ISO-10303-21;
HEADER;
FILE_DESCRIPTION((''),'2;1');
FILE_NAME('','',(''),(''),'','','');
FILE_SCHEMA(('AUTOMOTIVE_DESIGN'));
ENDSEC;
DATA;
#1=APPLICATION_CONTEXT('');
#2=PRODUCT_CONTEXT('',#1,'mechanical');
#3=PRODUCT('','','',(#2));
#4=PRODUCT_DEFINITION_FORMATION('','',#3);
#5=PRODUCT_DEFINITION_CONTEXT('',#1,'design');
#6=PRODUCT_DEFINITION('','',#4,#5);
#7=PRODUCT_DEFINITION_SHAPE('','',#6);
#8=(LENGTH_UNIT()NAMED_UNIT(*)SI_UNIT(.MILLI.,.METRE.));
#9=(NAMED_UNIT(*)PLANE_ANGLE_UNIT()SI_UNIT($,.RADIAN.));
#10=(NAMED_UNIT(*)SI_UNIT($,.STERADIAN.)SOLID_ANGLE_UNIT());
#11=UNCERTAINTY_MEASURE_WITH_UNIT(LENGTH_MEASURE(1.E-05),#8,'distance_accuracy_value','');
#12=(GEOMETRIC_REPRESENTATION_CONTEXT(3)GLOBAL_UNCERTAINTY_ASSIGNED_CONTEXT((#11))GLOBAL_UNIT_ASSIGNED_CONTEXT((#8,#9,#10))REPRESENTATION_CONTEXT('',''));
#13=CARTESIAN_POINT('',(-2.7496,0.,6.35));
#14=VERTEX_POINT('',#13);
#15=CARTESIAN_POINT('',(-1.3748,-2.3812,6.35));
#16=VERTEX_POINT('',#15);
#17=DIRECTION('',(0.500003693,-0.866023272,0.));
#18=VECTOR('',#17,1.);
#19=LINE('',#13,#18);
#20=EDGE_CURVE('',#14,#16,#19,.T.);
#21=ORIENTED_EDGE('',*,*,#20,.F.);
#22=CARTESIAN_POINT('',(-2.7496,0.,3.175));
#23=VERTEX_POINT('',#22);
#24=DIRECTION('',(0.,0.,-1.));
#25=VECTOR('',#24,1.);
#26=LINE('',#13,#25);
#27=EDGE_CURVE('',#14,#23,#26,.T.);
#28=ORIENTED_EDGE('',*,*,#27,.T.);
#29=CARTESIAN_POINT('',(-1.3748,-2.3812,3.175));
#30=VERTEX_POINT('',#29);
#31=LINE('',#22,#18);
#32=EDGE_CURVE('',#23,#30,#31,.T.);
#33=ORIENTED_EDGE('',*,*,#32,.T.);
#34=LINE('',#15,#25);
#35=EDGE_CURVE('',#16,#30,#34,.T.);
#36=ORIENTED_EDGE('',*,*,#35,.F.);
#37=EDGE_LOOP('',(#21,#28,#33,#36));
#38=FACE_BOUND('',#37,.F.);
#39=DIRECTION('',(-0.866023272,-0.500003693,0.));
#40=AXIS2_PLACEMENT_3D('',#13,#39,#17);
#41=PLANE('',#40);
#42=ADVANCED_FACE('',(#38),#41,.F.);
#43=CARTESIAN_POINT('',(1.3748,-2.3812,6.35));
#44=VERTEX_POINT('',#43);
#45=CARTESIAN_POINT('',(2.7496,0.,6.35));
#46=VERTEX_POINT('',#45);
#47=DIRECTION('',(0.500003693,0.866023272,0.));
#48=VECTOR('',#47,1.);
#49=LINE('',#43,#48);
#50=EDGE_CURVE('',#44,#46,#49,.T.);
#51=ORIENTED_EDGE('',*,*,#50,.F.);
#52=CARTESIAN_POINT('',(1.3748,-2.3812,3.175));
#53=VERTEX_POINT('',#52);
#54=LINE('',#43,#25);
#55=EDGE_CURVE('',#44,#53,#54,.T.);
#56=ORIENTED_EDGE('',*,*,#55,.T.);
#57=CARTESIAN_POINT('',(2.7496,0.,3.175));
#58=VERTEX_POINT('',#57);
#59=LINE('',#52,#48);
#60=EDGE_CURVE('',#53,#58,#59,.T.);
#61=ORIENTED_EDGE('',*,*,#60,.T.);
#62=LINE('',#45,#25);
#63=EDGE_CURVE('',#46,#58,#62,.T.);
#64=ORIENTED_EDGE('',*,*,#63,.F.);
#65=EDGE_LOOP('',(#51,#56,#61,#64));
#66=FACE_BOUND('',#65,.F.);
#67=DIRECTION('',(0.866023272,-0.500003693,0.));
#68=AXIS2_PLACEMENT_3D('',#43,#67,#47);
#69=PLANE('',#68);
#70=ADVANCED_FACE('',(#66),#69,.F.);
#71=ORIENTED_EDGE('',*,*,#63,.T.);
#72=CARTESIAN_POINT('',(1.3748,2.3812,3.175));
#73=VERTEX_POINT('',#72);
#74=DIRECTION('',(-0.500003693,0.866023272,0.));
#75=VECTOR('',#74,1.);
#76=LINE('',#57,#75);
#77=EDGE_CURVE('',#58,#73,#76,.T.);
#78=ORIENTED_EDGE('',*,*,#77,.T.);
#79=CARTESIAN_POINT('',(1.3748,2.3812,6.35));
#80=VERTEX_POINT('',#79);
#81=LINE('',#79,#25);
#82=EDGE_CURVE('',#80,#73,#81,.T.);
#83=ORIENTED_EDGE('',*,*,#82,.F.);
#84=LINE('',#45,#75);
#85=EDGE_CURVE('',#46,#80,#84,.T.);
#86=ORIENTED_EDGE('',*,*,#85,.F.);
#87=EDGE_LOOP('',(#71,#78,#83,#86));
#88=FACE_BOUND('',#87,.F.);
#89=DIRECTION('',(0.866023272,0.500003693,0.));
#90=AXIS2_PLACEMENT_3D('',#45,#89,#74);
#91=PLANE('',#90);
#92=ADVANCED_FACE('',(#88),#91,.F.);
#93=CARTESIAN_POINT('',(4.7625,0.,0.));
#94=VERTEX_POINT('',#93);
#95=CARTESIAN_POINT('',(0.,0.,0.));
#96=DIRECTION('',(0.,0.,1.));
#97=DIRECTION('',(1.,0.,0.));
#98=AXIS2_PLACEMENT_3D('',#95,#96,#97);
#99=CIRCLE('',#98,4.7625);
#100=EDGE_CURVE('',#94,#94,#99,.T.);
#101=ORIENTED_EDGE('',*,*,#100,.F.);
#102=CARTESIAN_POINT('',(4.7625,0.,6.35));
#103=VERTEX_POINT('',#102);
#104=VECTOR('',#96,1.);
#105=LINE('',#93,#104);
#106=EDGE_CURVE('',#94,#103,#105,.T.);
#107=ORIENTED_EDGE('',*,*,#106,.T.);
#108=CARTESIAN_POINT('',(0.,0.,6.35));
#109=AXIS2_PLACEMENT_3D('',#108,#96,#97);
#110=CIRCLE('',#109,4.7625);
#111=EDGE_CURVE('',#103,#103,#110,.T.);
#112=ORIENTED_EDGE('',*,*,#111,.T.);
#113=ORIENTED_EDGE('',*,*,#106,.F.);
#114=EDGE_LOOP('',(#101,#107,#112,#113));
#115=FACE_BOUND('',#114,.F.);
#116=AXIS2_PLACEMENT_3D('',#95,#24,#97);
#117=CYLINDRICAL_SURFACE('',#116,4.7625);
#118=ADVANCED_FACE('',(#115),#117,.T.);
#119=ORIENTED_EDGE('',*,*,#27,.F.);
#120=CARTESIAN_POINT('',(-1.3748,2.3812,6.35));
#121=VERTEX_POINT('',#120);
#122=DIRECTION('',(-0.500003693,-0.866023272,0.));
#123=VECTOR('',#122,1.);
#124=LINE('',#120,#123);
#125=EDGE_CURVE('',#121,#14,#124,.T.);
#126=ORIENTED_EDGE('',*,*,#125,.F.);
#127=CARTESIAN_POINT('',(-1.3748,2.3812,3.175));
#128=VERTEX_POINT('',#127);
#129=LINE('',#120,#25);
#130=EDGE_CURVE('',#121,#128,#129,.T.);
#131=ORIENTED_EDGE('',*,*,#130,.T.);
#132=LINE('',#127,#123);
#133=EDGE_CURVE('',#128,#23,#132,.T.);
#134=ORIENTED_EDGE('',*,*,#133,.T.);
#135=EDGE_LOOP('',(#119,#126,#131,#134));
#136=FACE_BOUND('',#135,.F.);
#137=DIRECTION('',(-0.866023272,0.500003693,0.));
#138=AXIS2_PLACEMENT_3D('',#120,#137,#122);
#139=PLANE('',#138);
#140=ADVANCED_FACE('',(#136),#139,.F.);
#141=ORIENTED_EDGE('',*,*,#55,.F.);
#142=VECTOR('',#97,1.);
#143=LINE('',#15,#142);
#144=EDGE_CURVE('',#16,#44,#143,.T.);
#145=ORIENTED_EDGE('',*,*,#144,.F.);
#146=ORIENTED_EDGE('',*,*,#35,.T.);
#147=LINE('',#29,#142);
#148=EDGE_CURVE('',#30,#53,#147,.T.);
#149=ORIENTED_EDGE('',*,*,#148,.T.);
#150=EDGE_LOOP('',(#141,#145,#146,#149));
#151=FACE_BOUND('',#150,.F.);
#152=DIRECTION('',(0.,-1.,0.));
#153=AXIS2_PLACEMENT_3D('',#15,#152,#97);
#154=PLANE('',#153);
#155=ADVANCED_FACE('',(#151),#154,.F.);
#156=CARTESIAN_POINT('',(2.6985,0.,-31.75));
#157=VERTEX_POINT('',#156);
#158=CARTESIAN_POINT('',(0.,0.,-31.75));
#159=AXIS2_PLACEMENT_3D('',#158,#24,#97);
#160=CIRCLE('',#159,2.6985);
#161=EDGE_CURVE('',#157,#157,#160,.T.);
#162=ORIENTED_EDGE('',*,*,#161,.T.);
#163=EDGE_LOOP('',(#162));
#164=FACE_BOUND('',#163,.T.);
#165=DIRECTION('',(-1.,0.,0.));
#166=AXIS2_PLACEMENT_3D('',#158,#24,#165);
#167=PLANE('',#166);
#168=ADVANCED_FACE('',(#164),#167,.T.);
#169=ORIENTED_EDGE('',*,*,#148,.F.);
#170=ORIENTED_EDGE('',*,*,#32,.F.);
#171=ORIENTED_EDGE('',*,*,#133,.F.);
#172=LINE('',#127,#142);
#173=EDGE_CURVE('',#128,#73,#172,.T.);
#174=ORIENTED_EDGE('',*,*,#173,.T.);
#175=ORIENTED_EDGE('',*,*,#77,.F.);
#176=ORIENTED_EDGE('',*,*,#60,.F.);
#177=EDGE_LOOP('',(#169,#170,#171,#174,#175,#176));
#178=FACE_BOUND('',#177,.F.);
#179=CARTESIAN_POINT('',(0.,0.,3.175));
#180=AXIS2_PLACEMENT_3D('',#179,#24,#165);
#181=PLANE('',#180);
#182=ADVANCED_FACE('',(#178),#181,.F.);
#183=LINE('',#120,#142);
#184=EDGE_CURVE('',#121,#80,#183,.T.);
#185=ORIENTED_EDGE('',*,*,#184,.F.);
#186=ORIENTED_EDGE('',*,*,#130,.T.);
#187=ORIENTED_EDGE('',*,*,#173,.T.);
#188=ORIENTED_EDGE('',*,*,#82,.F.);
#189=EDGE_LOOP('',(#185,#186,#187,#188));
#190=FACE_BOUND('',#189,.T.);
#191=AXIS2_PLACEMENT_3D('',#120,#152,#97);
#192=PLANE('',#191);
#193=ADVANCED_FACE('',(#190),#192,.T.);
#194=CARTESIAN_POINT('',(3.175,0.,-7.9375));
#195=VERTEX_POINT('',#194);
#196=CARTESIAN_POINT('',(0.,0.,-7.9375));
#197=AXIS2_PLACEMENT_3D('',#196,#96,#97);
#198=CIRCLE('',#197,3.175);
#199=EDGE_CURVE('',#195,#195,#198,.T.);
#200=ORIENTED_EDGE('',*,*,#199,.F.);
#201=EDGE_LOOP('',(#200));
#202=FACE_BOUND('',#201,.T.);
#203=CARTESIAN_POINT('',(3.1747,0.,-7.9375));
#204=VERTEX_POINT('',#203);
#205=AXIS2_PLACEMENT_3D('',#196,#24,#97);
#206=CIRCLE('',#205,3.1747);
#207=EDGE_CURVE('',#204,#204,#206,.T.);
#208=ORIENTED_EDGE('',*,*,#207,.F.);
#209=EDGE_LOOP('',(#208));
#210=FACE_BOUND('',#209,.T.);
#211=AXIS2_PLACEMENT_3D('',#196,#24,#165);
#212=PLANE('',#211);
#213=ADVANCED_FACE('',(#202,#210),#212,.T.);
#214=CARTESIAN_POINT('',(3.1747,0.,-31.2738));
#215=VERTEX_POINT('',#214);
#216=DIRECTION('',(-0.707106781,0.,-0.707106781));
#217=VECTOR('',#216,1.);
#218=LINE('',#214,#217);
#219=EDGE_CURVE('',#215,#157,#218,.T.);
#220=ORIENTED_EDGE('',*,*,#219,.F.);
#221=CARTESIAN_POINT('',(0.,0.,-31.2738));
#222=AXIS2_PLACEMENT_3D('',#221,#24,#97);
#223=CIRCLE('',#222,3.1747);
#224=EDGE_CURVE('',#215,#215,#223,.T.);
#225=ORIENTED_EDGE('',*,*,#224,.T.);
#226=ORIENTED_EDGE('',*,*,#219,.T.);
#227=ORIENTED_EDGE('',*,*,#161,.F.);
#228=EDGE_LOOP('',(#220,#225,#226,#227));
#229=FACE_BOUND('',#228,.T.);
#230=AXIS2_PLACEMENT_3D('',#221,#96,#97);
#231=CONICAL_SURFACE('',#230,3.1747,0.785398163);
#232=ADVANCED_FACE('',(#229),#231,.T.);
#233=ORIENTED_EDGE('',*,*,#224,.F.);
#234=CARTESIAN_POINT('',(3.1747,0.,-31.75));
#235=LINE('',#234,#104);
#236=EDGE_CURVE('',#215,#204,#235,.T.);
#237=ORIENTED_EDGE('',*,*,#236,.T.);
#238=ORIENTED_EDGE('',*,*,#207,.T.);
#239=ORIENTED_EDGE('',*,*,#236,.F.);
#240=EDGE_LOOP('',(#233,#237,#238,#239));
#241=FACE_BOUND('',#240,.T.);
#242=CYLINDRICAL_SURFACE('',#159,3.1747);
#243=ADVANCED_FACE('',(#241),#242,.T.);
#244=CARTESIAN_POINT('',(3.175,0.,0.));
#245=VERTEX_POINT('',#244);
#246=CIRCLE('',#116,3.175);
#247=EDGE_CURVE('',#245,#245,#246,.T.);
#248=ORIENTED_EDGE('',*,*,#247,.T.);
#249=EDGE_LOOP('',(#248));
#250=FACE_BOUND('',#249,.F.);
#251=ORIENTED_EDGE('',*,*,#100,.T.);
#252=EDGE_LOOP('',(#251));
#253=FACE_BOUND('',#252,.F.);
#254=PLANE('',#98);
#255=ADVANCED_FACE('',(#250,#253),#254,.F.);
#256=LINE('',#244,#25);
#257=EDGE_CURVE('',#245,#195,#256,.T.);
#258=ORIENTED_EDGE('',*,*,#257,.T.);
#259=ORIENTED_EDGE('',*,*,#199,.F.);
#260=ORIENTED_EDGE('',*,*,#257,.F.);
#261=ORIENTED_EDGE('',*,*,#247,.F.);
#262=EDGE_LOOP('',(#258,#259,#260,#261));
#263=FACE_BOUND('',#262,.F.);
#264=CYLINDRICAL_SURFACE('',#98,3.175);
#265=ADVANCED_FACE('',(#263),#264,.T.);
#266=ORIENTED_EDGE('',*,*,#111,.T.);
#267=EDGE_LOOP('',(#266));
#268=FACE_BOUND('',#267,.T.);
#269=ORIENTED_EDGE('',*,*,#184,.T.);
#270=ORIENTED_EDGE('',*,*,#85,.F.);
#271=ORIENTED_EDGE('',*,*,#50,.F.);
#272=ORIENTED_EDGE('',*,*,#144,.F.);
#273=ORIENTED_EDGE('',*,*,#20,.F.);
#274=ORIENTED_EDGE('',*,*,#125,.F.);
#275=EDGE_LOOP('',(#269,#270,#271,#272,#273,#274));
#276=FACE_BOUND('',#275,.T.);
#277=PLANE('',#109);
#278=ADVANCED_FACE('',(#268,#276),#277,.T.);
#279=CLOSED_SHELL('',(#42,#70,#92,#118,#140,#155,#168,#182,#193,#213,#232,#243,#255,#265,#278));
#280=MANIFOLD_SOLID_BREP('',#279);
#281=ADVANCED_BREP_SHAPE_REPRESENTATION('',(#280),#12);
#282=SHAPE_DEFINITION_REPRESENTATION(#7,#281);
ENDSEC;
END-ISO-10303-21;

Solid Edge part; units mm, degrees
sketch "Sketch1" plane through (0, 0, 0) normal (0, 0, 1) x (1, 0, 0)
  circle A0 centre (0, 0) radius 4.7625
  dimension "D1" = 9.525
extrude "Protrusion1" add sketch "Sketch1" along normal blind 6.35
sketch "Sketch2" plane through (0, 0, 0) normal (0, 0, -1) x (1, 0, 0)
  circle A0 centre (0, 0) radius 3.175
extrude "Protrusion2" add sketch "Sketch2" along normal blind 31.75
sketch "Sketch3" plane through (0, 0, -31.75) normal (0, 0, -1) x (1, 0, 0)
  circle A0 centre (0, 0) radius 3.1747
extrude "Cutout1" cut sketch "Sketch3" against normal blind 23.8125 flip side to cut
chamfer "Chamfer_1" distance 0.4762 angle 45 1 edges at (-3.1747, 0, -31.75)
sketch "Sketch4" plane through (0, 0, 6.35) normal (0, 0, 1) x (1, 0, 0)
  line L0 (-1.3748, 2.3812) -> (1.3748, 2.3812)
  line L1 (2.7496, 0) -> (1.3748, 2.3812)
  line L2 (1.3748, -2.3812) -> (2.7496, 0)
  line L3 (-1.3748, -2.3812) -> (1.3748, -2.3812)
  line L4 (-2.7496, 0) -> (-1.3748, -2.3812)
  line L5 (-1.3748, 2.3812) -> (-2.7496, 0)
  dimension "D1" = 4.7625
extrude "Cutout2" cut sketch "Sketch4" against normal blind 3.175
properties part number "24105887"
